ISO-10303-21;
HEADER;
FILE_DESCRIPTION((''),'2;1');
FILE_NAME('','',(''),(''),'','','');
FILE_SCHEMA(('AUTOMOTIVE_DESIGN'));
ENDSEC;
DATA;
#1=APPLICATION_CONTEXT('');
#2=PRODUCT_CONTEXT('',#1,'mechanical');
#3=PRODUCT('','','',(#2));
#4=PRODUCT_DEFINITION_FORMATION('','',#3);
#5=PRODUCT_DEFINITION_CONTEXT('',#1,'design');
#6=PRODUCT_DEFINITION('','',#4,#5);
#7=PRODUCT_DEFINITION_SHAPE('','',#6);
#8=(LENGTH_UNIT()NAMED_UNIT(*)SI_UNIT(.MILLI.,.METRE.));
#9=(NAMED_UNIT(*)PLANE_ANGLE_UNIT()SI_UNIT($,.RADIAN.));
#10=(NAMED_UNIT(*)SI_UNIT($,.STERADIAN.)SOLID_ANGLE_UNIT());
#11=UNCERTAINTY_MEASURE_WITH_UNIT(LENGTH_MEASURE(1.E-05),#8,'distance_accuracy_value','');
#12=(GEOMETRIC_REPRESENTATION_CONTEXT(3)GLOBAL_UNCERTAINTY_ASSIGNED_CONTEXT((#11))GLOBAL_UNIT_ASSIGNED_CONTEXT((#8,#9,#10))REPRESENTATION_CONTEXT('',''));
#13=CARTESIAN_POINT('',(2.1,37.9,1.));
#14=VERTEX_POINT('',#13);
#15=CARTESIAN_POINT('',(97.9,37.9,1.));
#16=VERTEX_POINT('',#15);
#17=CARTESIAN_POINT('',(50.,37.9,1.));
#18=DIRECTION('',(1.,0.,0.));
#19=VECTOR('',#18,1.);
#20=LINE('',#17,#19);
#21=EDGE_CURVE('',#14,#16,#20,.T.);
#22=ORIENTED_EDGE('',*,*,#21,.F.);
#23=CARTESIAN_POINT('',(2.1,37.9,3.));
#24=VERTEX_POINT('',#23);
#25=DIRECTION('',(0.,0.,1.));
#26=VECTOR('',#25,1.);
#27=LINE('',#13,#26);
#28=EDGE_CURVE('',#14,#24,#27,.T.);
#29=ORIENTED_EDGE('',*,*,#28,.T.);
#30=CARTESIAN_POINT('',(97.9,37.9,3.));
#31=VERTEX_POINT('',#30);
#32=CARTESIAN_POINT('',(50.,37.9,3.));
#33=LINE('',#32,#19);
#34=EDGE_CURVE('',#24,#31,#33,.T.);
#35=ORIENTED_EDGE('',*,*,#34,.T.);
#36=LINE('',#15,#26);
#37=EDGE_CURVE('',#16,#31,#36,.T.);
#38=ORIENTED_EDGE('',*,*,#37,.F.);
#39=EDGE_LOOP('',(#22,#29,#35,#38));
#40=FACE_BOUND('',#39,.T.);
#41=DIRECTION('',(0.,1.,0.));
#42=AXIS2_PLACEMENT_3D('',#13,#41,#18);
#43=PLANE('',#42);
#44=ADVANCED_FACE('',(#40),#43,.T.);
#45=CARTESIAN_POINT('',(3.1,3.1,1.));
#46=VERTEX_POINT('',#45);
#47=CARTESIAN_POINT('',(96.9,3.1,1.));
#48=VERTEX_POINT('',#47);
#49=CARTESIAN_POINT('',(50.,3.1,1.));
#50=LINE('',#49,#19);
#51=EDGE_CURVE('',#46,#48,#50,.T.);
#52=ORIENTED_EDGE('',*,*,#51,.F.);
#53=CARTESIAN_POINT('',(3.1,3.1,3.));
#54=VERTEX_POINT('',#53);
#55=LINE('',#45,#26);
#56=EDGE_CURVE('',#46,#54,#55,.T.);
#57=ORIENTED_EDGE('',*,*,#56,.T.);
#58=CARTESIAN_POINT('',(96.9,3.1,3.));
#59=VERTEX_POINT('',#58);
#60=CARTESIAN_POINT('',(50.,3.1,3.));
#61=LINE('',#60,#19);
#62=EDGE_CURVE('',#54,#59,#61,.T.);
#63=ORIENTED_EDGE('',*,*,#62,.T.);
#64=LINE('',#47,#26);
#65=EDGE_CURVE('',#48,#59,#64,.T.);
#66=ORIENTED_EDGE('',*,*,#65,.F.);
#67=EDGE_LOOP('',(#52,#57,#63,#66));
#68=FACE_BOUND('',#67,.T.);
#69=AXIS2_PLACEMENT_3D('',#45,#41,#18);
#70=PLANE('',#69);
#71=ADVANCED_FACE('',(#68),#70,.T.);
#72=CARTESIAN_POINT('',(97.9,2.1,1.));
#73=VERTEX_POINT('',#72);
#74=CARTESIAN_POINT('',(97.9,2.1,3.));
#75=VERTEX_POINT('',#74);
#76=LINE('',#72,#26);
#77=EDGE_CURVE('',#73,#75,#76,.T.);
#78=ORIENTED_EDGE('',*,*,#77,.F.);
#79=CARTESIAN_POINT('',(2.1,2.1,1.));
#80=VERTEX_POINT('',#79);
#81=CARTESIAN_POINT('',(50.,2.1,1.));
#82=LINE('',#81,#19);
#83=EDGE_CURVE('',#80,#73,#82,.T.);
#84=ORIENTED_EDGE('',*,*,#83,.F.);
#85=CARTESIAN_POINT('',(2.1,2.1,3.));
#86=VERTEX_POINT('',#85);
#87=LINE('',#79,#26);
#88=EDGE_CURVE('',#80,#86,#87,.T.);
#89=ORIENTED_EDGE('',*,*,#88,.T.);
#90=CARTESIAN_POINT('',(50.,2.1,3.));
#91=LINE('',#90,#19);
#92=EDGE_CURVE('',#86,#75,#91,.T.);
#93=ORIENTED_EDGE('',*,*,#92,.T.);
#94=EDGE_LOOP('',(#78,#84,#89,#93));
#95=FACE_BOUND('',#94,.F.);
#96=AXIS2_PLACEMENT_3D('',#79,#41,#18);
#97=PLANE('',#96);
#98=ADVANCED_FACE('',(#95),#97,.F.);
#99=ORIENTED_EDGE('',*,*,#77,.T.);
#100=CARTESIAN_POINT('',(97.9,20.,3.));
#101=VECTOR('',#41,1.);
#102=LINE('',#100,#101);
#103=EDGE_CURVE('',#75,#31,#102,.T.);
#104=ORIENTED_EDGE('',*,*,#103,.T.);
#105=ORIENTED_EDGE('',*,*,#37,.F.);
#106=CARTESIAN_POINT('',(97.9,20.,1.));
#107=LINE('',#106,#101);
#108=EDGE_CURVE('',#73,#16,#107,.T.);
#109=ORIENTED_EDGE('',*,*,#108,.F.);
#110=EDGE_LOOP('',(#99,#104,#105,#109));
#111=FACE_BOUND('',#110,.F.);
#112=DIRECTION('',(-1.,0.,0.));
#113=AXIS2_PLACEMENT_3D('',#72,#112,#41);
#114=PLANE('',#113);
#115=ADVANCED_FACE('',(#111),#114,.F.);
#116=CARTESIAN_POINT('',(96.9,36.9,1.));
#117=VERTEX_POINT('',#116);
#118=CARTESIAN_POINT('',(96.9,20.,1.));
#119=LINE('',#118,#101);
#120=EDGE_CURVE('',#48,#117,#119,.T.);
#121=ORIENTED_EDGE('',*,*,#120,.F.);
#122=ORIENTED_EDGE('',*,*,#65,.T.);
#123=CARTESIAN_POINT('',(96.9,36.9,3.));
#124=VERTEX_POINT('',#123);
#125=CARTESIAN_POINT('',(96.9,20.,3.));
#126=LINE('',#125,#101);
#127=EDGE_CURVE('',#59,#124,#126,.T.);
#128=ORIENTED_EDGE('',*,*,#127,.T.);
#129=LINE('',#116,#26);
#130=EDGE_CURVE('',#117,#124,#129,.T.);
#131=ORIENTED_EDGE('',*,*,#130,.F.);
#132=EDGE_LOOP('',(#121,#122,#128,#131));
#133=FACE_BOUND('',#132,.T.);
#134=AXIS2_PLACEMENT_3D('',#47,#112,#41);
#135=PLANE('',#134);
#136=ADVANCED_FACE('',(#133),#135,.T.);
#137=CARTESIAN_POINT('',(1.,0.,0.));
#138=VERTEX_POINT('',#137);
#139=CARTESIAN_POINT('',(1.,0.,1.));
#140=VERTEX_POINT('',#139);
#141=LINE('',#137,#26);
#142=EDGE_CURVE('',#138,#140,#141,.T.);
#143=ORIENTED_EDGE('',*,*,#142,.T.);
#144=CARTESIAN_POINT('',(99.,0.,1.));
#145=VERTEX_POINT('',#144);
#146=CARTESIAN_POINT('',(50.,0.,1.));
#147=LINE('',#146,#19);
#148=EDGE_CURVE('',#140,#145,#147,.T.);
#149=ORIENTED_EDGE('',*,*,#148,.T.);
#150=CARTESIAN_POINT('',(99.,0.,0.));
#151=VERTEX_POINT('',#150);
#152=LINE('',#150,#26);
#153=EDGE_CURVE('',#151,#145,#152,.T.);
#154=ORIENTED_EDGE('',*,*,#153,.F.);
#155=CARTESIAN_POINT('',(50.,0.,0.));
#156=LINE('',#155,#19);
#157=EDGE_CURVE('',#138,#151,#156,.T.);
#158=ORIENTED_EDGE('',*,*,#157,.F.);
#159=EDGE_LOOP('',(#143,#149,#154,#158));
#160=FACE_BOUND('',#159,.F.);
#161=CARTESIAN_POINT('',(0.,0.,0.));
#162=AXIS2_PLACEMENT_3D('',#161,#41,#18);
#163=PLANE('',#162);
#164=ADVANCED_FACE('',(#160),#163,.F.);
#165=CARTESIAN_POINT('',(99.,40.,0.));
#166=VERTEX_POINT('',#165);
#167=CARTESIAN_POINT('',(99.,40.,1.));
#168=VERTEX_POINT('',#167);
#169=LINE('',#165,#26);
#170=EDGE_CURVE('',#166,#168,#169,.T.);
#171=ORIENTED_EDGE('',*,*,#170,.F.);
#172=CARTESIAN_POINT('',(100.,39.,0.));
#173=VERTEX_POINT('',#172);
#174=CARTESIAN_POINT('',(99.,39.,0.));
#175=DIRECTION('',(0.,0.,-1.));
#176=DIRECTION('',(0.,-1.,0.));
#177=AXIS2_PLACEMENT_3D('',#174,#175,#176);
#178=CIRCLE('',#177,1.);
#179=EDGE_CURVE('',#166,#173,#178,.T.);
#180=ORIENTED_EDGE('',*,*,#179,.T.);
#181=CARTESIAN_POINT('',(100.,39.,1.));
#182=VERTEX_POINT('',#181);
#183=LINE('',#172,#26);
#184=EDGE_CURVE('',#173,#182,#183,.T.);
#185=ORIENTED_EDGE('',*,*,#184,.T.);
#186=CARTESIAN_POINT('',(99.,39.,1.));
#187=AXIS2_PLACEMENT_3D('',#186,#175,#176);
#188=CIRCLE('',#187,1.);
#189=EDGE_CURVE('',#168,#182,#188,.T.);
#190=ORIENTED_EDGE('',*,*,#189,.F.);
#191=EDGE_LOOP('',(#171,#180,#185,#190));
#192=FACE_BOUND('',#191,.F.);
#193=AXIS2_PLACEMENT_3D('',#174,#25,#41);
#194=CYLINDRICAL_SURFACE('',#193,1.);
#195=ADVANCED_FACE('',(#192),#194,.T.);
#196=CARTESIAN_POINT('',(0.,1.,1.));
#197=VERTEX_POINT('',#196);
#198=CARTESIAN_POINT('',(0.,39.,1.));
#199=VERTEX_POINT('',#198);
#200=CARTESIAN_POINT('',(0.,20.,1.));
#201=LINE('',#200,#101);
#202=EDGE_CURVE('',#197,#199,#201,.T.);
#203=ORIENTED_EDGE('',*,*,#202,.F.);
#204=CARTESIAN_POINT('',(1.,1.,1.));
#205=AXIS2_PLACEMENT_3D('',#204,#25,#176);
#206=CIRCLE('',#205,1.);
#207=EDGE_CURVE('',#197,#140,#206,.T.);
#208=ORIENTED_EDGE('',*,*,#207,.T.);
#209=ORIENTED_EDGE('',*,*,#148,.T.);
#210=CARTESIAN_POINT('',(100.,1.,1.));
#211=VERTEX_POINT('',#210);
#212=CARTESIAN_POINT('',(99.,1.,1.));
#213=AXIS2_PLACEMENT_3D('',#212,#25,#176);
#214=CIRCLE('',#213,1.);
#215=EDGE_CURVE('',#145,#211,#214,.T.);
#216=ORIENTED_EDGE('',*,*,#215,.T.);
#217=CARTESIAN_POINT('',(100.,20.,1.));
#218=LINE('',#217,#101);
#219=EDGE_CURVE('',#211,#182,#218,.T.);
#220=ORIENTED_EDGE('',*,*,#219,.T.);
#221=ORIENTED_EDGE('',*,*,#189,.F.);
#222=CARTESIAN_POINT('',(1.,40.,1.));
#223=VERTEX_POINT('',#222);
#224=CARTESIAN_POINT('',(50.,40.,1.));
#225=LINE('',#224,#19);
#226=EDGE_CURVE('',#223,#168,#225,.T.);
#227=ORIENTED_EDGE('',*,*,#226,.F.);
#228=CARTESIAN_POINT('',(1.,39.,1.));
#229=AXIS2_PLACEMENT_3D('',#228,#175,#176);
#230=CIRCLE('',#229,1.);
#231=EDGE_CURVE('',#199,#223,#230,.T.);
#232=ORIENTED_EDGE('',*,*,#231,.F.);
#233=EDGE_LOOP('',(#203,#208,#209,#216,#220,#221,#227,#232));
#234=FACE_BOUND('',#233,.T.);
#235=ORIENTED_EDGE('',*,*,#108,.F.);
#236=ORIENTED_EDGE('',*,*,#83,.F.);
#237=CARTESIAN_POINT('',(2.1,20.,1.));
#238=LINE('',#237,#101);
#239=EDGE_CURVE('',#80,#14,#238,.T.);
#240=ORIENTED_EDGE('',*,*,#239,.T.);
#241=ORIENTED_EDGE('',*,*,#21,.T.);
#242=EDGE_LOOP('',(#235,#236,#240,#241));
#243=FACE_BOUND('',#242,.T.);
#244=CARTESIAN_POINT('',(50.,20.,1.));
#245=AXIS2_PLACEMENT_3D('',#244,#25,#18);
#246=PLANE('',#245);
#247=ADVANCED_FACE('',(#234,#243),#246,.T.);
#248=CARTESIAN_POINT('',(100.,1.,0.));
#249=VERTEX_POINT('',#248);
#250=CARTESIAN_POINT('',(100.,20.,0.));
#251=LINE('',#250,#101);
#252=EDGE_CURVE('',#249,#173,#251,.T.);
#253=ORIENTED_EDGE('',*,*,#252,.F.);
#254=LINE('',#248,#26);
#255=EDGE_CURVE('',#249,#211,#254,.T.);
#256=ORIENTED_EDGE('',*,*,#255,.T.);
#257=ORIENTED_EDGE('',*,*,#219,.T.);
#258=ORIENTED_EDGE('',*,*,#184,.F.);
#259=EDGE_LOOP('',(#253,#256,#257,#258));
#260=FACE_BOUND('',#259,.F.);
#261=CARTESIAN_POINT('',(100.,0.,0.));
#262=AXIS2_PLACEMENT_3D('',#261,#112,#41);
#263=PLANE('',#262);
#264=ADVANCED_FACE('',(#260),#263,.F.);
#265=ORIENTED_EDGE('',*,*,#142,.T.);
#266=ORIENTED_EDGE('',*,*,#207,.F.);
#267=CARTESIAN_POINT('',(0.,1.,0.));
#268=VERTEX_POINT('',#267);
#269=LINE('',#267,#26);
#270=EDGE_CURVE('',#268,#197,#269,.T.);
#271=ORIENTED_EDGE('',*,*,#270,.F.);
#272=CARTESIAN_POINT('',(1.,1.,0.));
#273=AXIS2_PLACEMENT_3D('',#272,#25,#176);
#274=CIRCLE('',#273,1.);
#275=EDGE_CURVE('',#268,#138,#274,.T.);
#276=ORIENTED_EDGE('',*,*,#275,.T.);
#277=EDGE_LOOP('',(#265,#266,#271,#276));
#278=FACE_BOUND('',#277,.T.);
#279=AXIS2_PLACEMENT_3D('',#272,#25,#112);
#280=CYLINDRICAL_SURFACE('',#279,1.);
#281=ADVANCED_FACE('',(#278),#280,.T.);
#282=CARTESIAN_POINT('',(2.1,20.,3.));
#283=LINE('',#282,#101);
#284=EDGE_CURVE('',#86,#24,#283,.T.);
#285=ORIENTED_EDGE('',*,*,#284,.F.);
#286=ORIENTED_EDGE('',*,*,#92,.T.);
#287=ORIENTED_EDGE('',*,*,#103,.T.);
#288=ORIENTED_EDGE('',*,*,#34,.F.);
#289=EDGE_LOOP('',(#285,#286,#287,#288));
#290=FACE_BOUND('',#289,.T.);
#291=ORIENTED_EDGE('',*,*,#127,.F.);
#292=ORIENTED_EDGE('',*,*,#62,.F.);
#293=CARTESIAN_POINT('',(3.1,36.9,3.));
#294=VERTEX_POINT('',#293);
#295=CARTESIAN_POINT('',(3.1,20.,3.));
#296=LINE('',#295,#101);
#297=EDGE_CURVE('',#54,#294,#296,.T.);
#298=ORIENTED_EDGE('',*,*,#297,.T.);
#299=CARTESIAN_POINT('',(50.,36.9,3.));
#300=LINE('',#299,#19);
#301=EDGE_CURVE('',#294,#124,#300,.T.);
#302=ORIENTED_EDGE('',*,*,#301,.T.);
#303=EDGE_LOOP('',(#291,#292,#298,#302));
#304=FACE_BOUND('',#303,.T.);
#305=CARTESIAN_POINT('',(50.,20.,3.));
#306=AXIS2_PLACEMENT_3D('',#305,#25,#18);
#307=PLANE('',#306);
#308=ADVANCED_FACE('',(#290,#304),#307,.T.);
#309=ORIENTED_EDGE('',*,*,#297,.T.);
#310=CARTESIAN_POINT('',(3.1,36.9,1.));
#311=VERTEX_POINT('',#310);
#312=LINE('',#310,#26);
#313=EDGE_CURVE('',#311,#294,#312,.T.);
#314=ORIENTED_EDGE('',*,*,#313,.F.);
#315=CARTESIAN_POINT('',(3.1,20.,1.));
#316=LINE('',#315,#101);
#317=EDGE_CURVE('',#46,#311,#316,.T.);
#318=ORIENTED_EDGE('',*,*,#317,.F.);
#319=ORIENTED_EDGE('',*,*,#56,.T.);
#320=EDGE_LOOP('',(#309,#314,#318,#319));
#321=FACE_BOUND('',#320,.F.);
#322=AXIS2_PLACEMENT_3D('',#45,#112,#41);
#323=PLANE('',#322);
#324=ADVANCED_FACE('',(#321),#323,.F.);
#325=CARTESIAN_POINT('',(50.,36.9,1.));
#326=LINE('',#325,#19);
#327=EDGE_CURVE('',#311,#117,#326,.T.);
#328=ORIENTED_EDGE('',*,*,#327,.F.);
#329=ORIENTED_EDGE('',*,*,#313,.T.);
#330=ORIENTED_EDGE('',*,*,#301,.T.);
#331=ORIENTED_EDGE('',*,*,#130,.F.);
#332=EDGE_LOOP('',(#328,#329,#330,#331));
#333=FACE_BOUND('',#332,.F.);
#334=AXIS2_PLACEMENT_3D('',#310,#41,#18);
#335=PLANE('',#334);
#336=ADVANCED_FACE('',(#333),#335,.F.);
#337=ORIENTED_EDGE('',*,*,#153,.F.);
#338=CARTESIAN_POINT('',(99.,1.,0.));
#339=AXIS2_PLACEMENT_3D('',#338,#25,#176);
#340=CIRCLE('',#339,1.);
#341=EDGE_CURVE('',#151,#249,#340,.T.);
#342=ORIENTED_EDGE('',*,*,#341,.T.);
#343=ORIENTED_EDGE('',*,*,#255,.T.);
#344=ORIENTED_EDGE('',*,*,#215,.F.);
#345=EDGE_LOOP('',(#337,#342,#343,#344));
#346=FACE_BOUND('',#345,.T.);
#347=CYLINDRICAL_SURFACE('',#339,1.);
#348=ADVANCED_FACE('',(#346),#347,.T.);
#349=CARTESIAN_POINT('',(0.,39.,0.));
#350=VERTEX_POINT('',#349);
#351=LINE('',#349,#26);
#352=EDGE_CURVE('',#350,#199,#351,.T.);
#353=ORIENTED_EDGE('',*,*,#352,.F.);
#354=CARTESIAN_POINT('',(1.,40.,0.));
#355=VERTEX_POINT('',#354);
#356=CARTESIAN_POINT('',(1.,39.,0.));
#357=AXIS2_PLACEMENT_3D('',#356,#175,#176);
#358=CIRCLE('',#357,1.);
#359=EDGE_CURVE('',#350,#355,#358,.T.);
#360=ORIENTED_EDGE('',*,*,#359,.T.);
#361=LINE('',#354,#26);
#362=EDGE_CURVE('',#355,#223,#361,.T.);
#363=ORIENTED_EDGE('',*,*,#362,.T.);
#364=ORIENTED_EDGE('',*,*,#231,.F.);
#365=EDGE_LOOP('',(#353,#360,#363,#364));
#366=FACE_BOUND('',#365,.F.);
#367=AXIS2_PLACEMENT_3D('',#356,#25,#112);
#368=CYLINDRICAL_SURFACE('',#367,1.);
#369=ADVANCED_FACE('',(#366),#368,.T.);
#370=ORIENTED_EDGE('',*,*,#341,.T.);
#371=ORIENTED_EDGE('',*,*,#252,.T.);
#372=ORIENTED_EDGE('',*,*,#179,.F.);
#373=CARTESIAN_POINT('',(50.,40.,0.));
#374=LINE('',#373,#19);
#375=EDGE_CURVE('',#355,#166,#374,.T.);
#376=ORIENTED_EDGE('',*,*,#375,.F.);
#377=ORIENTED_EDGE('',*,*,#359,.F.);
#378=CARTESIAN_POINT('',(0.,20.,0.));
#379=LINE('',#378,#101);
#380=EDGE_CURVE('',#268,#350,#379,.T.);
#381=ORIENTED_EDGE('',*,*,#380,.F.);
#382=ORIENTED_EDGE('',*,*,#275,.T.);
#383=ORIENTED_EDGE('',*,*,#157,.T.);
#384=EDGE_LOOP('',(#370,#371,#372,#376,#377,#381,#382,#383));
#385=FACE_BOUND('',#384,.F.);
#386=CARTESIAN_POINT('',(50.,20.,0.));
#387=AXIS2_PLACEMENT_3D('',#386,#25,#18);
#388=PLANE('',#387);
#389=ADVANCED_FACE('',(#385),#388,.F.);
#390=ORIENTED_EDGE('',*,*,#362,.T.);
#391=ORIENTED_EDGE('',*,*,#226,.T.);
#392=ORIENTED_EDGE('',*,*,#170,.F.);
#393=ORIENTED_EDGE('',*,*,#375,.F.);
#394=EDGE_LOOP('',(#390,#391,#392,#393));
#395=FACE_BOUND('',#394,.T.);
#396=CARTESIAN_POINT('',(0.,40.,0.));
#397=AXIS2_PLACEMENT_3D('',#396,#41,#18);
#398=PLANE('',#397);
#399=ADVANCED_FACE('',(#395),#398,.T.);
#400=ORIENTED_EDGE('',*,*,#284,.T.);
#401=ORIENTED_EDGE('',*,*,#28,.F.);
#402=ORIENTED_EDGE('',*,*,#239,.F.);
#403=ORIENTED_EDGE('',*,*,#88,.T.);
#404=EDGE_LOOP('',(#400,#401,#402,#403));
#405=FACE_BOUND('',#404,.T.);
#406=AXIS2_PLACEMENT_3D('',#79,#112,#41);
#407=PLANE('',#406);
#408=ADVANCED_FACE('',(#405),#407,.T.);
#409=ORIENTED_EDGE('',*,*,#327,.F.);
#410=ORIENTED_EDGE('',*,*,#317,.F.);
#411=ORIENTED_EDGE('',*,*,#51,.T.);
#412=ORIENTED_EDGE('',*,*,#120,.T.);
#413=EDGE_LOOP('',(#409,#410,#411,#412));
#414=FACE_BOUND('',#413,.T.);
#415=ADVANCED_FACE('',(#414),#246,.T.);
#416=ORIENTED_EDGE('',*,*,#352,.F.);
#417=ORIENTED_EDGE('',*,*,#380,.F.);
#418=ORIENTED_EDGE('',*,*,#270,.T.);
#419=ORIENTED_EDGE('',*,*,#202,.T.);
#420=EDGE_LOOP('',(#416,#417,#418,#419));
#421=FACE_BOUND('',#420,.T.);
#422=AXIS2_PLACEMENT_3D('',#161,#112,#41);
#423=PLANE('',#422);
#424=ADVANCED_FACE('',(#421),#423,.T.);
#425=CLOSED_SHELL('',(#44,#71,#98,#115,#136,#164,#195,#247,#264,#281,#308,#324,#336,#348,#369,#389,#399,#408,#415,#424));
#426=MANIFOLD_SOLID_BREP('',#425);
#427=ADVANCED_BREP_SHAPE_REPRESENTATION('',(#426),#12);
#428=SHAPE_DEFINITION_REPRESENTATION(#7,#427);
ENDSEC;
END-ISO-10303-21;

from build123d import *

# Parameters (mm, degrees)
F0_W     = 100
F0_H     = 40
F1_DEPTH = 1
F2_W     = 95.8
F2_H     = 35.8
F2_W_2   = 93.8
F2_H_2   = 33.8
F3_DEPTH = 2
F4_R     = 1


with BuildPart() as f1:
    # F0 (on Top) → F1 (new body)
    with BuildSketch(Plane.XY):
        with Locations((50, 20)):
            Rectangle(F0_W, F0_H)
    extrude(amount=F1_DEPTH)

    # F2 (on face) → F3 (join)
    with BuildSketch(Plane.XY.offset(1)):
        with Locations((50, 20)):
            Rectangle(F2_W, F2_H)
        with Locations((50, 20)):
            Rectangle(F2_W_2, F2_H_2, mode=Mode.SUBTRACT)
    extrude(amount=F3_DEPTH)

    # F4
    f4_edges = [f1.edges().sort_by_distance(p)[0] for p in [
        (0, 0, 0.5),
        (100, 0, 0.5),
        (100, 40, 0.5),
        (0, 40, 0.5),
    ]]
    fillet(f4_edges, radius=F4_R)


solid = f1.part
